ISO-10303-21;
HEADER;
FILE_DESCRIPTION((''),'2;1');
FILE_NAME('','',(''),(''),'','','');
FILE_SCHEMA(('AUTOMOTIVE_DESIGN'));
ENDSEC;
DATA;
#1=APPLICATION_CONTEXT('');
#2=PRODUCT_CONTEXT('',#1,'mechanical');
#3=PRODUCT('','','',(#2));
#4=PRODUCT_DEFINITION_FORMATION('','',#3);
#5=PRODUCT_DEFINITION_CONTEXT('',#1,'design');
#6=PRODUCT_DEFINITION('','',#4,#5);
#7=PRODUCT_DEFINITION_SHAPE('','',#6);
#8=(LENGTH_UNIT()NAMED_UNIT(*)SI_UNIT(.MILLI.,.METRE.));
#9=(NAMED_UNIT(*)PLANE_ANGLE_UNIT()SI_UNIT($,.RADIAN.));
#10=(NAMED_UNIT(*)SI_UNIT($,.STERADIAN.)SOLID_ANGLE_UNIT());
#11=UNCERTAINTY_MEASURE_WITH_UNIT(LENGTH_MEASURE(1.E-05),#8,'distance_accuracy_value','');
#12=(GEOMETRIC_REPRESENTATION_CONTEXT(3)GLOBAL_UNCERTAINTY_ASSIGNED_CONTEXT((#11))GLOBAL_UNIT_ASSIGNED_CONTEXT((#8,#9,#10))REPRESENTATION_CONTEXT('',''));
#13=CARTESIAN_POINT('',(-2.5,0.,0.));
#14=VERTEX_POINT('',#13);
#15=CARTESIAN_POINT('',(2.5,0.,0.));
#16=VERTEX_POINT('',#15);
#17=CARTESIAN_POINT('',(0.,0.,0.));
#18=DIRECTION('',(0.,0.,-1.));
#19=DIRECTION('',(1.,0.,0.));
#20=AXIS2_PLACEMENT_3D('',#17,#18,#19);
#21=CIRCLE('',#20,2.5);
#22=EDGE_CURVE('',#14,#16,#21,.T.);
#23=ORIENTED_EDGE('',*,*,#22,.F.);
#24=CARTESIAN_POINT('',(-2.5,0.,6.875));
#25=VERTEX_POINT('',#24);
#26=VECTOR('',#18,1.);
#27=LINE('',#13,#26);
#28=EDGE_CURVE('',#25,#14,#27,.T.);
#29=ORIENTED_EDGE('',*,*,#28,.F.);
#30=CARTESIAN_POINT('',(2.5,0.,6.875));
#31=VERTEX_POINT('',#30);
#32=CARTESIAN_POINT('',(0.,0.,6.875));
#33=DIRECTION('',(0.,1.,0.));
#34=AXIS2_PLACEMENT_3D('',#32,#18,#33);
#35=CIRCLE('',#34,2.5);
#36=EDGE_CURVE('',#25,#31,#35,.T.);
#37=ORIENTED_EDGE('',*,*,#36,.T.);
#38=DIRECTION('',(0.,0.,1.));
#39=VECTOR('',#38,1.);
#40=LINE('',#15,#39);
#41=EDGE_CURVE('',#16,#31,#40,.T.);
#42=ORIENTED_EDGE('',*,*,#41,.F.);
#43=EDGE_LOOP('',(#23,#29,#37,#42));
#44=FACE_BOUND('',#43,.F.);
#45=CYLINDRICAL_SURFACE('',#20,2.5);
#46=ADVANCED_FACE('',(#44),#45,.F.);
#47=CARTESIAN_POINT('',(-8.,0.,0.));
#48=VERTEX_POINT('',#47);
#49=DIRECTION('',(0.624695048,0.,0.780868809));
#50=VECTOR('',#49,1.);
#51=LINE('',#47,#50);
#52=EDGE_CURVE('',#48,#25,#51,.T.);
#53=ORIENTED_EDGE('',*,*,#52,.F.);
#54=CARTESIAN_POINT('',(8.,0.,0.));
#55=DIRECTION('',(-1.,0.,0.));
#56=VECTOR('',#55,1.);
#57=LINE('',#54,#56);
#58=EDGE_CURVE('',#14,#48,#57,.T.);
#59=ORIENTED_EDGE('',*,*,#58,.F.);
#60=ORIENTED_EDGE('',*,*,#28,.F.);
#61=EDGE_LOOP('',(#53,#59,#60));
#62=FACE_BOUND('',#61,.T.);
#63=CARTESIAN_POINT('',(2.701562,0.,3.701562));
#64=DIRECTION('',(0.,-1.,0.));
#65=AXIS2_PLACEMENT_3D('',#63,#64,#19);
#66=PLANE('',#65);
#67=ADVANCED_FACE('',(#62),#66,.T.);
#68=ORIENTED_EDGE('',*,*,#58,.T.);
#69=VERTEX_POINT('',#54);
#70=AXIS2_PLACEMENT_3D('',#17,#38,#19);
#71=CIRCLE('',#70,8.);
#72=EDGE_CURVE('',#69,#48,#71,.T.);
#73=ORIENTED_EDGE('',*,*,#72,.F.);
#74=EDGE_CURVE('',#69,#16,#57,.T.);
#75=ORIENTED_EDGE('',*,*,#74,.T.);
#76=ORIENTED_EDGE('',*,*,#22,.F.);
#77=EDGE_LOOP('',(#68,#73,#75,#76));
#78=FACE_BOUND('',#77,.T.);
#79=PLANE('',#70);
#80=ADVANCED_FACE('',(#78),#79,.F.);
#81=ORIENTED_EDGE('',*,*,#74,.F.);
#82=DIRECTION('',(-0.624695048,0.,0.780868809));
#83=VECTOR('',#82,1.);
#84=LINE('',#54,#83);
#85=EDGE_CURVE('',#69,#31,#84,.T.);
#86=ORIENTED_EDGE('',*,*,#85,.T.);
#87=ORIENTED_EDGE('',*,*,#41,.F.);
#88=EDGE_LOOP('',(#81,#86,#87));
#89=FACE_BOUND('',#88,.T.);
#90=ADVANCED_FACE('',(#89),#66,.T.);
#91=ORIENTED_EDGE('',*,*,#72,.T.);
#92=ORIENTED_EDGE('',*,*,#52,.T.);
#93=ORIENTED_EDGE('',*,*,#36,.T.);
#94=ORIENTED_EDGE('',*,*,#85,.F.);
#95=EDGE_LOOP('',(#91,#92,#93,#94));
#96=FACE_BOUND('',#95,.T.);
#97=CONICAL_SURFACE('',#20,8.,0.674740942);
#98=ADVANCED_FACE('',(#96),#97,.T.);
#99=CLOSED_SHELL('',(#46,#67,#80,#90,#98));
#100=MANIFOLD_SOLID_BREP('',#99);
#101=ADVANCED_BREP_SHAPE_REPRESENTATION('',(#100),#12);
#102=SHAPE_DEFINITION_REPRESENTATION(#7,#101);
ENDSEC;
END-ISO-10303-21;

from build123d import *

# Parameters (mm, degrees)
F1_ANGLE = 180
F2_R     = 2.5
F3_DEPTH = 10.001


with BuildPart() as f1:
    # F0 (on Front) → F1 (revolve)
    with BuildSketch(Plane.XZ):
        Polygon((0, 10), (0, 0), (8, 0), align=None)
    revolve(axis=Axis((0, 0, 5), (0, 0, 1)), revolution_arc=F1_ANGLE)

    # F2 (on face) → F3 (cut, through all)
    with BuildSketch(Plane(origin=(0, 0, 0), x_dir=(1, 0, 0), z_dir=(0, 0, -1))):
        Circle(F2_R)
    extrude(amount=-F3_DEPTH, mode=Mode.SUBTRACT)


solid = f1.part
